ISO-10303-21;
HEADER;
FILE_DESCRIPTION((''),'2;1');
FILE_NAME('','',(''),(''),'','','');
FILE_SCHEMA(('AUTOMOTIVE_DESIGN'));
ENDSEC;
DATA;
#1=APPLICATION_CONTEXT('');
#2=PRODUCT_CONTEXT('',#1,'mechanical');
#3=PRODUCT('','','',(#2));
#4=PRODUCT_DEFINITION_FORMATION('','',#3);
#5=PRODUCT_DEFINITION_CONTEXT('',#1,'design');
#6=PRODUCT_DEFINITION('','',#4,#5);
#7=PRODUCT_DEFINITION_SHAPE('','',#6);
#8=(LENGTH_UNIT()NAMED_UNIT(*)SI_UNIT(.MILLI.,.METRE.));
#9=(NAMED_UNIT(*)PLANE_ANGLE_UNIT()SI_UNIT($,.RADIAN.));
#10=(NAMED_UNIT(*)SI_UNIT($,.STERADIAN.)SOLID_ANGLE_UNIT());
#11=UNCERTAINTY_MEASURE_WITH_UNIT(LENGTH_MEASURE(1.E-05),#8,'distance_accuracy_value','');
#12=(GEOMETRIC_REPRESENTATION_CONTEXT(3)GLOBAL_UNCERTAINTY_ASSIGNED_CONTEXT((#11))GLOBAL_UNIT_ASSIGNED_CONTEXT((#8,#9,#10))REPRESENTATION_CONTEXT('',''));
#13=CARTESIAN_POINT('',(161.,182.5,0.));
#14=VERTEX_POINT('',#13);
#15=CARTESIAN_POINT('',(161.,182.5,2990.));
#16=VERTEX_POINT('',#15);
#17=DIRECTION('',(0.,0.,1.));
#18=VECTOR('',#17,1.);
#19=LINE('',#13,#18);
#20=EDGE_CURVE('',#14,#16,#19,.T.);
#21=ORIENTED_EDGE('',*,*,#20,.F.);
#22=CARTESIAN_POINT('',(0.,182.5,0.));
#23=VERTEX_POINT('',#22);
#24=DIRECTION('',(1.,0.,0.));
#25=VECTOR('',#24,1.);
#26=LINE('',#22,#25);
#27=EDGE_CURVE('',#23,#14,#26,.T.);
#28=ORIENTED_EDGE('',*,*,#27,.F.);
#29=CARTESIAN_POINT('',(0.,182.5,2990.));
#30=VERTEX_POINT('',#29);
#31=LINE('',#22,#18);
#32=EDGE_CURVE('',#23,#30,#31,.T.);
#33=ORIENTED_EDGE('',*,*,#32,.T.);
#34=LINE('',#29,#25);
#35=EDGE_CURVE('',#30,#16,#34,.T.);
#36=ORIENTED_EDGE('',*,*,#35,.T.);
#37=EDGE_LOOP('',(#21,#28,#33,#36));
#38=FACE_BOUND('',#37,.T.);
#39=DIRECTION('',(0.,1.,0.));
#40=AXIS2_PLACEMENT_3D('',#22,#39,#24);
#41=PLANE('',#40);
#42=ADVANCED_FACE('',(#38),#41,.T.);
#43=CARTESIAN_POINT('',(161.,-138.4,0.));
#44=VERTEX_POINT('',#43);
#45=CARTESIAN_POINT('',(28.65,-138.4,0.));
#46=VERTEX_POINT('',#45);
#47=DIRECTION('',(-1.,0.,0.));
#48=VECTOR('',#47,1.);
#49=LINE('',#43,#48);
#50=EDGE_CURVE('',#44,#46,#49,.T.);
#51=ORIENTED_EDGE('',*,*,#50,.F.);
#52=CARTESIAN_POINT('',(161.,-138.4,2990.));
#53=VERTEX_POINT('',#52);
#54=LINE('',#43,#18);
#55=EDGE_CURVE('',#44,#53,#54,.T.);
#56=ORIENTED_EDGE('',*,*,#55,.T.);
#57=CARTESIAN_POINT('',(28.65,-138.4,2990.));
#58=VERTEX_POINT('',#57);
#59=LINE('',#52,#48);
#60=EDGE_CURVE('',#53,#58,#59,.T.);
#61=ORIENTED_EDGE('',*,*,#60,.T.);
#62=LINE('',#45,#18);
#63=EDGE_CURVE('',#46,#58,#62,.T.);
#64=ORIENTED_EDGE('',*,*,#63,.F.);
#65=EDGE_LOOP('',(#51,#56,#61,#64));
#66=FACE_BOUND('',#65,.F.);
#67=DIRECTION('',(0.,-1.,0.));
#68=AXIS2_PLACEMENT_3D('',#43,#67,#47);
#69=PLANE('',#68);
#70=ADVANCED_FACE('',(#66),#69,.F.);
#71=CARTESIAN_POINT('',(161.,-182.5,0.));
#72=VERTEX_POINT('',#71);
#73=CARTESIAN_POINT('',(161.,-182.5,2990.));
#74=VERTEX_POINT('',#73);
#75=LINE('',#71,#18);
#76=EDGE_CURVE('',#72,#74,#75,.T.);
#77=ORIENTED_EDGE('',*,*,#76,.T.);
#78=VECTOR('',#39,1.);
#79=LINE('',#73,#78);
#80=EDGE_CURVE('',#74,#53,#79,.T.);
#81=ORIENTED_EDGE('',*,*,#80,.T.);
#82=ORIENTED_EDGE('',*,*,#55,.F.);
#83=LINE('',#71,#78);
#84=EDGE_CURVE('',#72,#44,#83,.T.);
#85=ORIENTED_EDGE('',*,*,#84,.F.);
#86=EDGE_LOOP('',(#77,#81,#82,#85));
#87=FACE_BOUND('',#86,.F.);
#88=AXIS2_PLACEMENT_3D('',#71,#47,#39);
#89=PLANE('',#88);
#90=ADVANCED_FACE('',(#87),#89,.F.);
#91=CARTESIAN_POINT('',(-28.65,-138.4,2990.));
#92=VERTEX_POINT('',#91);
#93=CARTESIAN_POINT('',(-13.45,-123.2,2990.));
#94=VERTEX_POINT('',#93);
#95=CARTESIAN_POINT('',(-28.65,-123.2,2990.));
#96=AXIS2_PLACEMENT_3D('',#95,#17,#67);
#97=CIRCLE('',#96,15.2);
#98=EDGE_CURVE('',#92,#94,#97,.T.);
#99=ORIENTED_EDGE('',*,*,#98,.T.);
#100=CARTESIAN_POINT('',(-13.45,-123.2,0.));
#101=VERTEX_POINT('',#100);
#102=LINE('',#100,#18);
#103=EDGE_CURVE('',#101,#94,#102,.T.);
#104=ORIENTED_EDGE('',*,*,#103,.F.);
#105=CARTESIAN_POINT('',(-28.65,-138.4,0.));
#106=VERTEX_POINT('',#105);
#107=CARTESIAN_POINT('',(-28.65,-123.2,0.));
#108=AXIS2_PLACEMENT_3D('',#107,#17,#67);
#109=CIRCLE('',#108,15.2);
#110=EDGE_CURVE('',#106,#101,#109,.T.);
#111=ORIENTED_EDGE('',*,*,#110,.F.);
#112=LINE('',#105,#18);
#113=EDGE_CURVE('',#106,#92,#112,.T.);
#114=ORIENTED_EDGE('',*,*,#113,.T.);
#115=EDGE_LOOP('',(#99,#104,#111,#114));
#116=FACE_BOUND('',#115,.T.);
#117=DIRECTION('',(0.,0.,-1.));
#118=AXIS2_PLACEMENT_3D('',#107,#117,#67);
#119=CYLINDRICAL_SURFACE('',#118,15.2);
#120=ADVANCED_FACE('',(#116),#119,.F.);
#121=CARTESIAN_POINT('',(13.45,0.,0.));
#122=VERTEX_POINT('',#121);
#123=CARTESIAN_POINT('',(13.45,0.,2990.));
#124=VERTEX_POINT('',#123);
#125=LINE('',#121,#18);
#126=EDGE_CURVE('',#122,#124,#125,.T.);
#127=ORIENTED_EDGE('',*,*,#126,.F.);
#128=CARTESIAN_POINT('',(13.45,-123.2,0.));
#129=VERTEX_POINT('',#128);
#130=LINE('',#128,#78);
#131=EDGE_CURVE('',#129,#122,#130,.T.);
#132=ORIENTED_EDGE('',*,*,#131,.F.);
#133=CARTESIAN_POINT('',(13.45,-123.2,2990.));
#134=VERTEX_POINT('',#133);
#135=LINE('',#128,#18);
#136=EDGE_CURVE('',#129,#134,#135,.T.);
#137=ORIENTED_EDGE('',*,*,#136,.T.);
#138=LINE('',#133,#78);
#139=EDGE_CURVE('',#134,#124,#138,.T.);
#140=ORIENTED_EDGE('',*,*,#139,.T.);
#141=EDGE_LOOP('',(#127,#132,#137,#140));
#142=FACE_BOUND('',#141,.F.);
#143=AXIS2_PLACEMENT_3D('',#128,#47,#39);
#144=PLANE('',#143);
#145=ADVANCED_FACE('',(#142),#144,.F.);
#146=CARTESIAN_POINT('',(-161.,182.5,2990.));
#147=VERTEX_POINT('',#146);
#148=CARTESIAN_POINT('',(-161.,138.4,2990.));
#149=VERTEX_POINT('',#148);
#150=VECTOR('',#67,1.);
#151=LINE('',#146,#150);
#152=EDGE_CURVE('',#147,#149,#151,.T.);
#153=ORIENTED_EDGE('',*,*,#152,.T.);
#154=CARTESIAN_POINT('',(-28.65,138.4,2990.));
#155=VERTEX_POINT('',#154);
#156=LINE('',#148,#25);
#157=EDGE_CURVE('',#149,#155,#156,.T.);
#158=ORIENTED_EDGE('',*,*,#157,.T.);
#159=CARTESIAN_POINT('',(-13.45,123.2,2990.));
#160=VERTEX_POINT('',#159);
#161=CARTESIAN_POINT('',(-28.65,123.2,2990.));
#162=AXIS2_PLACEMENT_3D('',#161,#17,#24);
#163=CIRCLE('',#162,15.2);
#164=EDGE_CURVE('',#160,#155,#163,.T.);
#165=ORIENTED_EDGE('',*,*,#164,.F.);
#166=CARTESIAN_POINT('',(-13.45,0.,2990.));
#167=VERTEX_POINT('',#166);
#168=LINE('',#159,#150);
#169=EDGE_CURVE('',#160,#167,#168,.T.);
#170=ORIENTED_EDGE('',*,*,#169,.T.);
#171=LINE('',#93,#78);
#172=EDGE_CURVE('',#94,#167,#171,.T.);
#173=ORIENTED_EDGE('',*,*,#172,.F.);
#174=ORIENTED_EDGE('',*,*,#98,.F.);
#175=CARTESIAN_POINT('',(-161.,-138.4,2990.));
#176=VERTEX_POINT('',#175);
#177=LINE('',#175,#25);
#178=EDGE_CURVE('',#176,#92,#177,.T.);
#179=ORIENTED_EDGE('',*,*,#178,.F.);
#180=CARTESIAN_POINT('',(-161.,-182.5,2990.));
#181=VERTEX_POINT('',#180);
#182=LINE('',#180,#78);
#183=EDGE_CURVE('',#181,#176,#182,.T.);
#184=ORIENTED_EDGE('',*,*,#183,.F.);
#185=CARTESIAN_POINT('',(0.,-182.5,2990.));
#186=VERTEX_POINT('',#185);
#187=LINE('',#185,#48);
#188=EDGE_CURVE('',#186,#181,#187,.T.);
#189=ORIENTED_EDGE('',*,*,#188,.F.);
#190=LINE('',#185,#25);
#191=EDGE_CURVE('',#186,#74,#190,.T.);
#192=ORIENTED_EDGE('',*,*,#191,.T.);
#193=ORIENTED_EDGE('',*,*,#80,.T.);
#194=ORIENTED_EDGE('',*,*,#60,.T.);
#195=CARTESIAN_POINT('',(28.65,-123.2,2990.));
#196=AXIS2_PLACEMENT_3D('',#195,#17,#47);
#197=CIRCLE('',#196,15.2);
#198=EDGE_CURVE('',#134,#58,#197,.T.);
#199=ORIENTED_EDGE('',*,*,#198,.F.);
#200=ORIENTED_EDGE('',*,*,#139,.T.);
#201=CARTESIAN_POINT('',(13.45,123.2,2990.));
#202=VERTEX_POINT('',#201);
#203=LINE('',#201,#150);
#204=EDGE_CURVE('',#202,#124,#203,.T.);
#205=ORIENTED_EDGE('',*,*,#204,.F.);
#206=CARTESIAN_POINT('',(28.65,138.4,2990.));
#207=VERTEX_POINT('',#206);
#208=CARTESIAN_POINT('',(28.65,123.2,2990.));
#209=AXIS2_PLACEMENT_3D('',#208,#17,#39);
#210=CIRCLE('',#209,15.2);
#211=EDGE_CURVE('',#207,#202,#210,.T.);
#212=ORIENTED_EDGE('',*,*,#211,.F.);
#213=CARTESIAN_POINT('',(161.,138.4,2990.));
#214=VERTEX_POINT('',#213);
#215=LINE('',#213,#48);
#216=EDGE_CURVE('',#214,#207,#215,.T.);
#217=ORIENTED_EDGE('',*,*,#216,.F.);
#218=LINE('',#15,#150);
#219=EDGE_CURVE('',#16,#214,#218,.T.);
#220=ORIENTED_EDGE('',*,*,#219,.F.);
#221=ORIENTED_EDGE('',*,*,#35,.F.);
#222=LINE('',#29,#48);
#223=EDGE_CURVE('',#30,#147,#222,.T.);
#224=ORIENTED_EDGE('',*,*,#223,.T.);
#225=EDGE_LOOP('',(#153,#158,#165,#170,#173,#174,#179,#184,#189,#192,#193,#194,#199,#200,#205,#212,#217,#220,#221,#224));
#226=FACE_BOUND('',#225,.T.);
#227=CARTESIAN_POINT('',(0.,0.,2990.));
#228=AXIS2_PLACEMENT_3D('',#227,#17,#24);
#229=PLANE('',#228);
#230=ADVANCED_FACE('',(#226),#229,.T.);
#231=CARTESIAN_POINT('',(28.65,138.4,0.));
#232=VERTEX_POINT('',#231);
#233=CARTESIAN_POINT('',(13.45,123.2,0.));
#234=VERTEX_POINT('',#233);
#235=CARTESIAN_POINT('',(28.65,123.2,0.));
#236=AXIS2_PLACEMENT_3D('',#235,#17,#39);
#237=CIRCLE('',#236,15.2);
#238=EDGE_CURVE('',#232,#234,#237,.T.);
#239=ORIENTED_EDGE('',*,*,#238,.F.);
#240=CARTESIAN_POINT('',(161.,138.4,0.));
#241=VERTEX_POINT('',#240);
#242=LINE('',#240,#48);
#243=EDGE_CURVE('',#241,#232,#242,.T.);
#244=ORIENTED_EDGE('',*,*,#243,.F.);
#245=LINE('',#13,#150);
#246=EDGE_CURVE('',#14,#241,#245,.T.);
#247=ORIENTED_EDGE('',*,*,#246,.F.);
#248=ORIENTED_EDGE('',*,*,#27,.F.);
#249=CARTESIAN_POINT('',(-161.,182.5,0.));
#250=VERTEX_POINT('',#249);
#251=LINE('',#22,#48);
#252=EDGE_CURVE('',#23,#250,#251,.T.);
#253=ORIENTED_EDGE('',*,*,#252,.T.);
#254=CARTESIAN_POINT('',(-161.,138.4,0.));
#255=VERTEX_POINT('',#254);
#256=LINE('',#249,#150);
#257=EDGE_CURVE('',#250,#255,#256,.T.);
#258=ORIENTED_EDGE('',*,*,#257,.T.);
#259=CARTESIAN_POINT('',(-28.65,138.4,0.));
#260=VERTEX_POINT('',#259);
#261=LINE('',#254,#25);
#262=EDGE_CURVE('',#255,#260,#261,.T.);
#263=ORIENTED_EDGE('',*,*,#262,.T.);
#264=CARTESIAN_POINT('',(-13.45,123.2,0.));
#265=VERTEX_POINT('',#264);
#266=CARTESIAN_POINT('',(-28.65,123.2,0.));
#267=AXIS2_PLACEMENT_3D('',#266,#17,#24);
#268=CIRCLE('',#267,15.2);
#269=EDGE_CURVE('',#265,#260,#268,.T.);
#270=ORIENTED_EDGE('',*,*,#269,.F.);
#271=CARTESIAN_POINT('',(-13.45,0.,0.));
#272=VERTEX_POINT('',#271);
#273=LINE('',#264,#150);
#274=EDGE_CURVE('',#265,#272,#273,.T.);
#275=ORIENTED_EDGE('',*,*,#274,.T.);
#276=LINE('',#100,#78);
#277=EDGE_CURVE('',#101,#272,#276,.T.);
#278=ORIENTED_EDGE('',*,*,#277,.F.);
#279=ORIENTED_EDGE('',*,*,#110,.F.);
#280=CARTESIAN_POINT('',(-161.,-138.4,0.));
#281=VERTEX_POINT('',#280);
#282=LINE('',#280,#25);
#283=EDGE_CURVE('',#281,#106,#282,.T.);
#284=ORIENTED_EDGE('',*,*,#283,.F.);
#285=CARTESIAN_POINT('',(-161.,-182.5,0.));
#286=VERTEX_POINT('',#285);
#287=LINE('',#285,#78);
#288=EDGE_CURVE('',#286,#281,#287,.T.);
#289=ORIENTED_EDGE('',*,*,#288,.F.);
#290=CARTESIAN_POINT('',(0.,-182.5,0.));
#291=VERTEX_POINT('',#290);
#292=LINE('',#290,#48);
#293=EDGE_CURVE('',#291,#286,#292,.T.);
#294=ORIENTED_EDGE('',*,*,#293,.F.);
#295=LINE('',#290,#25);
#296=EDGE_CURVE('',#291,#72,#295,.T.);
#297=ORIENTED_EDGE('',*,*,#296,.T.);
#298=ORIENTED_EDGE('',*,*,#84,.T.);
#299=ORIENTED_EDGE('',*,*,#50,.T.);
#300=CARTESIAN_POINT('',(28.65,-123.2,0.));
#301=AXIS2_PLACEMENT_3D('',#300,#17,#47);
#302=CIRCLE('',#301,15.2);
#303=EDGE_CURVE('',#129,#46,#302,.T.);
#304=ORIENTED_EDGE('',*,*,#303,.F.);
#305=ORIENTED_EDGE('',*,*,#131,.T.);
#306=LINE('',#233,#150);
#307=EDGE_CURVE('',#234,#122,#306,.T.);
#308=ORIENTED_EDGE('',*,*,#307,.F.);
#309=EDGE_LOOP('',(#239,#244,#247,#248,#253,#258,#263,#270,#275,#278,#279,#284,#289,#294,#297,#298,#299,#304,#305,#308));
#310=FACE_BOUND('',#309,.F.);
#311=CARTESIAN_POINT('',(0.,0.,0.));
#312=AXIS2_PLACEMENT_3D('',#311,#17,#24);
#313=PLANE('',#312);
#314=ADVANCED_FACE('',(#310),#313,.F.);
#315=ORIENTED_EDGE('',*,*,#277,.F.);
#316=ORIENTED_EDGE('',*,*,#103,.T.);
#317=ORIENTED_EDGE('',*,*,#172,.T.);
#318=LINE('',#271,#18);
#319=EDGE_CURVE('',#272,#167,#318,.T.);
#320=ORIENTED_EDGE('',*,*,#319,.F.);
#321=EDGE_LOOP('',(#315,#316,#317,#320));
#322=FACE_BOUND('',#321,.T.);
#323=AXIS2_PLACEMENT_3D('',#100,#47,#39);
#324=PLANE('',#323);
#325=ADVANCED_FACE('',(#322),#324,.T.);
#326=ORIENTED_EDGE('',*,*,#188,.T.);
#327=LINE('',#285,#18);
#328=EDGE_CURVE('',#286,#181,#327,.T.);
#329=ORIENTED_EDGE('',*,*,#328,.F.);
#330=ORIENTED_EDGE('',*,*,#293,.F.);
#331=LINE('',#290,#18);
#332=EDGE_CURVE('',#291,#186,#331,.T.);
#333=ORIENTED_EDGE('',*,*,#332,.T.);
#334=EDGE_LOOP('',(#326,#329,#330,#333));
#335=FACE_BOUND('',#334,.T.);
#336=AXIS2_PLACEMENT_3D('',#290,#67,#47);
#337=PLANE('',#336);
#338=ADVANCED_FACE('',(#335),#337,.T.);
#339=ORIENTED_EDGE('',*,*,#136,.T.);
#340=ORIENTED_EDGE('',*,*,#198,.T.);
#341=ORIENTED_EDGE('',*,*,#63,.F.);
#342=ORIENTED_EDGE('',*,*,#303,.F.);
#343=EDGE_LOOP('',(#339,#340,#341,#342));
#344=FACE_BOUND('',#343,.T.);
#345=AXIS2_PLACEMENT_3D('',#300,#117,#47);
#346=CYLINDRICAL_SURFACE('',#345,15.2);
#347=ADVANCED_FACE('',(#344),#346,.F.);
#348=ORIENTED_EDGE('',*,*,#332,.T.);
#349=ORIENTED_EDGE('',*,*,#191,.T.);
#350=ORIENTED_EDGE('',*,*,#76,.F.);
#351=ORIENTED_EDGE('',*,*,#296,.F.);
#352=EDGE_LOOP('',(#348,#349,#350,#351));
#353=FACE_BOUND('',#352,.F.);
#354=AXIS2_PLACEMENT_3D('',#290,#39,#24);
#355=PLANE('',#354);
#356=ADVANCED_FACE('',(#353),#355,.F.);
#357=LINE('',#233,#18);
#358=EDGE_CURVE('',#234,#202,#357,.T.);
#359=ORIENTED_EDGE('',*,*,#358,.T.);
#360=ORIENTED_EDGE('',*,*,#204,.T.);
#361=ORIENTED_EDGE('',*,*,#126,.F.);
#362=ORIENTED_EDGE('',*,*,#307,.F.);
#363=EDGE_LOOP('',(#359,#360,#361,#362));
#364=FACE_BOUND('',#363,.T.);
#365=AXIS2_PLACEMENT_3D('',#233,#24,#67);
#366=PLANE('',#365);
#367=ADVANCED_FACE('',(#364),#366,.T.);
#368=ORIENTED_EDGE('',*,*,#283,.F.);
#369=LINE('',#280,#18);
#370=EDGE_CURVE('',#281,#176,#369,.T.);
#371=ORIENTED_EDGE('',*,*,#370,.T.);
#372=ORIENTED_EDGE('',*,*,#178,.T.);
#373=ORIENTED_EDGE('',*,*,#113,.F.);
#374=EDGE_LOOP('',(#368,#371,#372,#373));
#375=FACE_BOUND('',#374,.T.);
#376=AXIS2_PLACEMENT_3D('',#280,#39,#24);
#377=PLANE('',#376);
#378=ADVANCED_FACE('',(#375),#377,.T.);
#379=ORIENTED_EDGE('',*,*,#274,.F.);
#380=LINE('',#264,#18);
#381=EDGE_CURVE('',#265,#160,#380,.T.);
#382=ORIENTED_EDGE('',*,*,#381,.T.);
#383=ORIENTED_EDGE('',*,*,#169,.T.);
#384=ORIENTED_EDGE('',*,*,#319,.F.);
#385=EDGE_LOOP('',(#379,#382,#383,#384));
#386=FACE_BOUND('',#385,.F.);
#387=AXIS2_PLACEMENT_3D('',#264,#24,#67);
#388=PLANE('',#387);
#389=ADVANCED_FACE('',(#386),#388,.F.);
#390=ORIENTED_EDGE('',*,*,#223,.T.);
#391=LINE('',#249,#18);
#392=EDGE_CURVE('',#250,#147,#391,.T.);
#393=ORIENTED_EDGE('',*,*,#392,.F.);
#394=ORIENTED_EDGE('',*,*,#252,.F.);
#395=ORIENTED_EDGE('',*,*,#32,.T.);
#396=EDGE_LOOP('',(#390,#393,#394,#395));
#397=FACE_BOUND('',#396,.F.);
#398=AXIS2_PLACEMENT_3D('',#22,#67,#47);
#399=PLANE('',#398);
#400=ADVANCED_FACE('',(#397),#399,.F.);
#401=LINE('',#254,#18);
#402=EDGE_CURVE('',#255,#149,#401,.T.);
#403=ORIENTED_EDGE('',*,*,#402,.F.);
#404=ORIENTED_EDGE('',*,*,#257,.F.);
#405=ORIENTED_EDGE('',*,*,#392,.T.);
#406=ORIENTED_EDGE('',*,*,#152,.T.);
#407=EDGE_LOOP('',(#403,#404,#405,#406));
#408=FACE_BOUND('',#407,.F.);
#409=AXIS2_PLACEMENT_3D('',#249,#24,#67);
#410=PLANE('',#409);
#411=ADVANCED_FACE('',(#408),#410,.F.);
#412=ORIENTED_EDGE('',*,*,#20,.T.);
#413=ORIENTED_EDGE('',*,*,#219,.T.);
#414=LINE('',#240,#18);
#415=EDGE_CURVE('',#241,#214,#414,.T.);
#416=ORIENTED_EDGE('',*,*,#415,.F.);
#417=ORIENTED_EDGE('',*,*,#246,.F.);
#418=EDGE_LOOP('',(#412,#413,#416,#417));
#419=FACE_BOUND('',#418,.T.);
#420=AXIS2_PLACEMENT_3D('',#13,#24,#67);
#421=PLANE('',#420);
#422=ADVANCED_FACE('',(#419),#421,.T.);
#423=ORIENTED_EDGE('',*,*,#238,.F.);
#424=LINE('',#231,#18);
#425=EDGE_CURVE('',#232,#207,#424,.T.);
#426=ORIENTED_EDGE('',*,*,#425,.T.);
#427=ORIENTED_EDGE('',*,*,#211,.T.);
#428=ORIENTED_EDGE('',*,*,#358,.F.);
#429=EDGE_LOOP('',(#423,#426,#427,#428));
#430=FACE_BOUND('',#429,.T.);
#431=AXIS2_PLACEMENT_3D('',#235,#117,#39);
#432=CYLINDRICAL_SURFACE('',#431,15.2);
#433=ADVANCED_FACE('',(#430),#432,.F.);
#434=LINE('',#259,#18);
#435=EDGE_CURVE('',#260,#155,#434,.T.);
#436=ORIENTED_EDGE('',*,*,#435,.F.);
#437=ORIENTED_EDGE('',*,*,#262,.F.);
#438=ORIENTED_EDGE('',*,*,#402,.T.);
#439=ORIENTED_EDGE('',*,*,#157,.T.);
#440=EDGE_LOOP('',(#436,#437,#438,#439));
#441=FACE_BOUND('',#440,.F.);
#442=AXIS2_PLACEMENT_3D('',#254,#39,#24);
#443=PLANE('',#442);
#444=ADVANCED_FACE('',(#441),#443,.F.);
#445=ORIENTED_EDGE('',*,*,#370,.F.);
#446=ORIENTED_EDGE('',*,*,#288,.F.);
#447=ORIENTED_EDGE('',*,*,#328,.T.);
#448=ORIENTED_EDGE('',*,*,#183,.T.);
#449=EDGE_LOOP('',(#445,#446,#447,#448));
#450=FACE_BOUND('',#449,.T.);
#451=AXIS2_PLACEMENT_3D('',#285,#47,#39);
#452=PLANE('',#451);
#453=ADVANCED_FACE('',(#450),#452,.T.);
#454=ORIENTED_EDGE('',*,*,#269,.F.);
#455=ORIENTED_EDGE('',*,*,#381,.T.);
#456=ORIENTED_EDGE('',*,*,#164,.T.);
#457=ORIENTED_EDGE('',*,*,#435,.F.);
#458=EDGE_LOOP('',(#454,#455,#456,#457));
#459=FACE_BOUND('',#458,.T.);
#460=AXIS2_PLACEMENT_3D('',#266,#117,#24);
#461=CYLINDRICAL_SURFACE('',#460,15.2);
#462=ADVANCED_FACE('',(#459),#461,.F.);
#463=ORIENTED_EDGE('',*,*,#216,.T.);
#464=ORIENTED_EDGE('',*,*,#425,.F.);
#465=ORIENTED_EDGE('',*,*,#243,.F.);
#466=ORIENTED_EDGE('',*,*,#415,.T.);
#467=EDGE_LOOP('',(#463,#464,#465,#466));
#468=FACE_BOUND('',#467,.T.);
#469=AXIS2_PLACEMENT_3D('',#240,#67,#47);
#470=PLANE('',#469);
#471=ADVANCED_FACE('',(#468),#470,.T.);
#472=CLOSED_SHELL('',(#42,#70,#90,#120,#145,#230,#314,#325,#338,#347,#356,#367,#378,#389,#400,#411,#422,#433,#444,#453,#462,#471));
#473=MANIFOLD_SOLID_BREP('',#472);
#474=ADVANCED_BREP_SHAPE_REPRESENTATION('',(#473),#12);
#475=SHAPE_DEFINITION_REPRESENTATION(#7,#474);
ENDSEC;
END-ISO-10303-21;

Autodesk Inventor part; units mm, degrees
ref_plane "YZ Plane" through (0, 0, 0) normal (1, 0, 0) x (0, 1, 0)
ref_plane "Start plane" through (0, 0, 0) normal (0, 0, 1) x (1, 0, 0)
ref_plane "End plane" through (0, 0, 2990) normal (0, 0, 1) x (1, 0, 0)
sketch "Sketch" plane through (0, 0, 0) normal (0, 0, 1) x (1, 0, 0)
  line L0 (-161, -182.5) -> (-161, -138.4)
  line L1 (-161, -138.4) -> (-28.65, -138.4)
  line L2 (-13.45, -123.2) -> (-13.45, 0)
  line L3 (-13.45, 0) -> (0, 0) construction
  line L4 (0, 0) -> (0, -182.5) construction
  line L5 (0, -182.5) -> (-161, -182.5)
  line L6 (-60, 0) -> (80, 0) construction
  line L7 (0, -60) -> (0, 80) construction
  line L8 (161, -182.5) -> (161, -138.4)
  line L9 (161, -138.4) -> (28.65, -138.4)
  line L10 (13.45, -123.2) -> (13.45, 0)
  line L11 (13.45, 0) -> (0, 0) construction
  line L12 (0, -182.5) -> (161, -182.5)
  line L13 (-161, 182.5) -> (-161, 138.4)
  line L14 (-161, 138.4) -> (-28.65, 138.4)
  line L15 (-13.45, 123.2) -> (-13.45, 0)
  line L16 (0, 182.5) -> (-161, 182.5)
  line L17 (161, 182.5) -> (161, 138.4)
  line L18 (161, 138.4) -> (28.65, 138.4)
  line L19 (0, 182.5) -> (161, 182.5)
  line L20 (13.45, 123.2) -> (13.45, 0)
  arc A0 (-13.45, 123.2) -> (-28.65, 138.4) centre (-28.65, 123.2) ccw
  arc A1 (28.65, 138.4) -> (13.45, 123.2) centre (28.65, 123.2) ccw
  arc A2 (13.45, -123.2) -> (28.65, -138.4) centre (28.65, -123.2) ccw
  arc A3 (-28.65, -138.4) -> (-13.45, -123.2) centre (-28.65, -123.2) ccw
  line L21 (0, 108) -> (0, -88) construction
  line L22 (-88, 0) -> (108, 0) construction
  point P0 (-13.45, -138.4)
  point P1 (13.45, -138.4)
  point P2 (-13.45, 138.4)
  point P3 (13.45, 138.4)
  dimension "d1" = 182.5
  dimension "d2" = 44.1
  dimension "d3" = 161
  dimension "d4" = 13.45
  dimension "d10" = 15.2
extrude "Body" add sketch "Sketch" along normal up to surface (2990 mm away) from surface at 0
sketch "Sketch4" plane through (0, 0, 0) normal (0, 0, 1) x (1, 0, 0)
  line L0 (0, 0) -> (10, 0)
ref_plane "Work Plane3" through (0, 0, 0) normal (0, -1, 0) x (1, 0, 0)
sketch "Sketch5" plane through (0, 0, 0) normal (0, -1, 0) x (1, 0, 0)
  line L0 (-2, 0) -> (12, 0) projected
  line L1 (-2, 2990) -> (12, 2990) projected
  dimension "d14" = 2990
equation "\"d1\" = 0.5 * G_H"
equation "\"d2\" = G_T1"
equation "\"d3\" = 0.5 * G_W"
equation "\"d4\" = 0.5 * G_T"
equation "\"d10\" = G_IR"
equation "\"d5\" = G_L"
equation "\"G_W\" = 322"
equation "\"G_H\" = 365"
equation "\"G_T\" = 26.9"
equation "\"G_T1\" = 44.1"
equation "\"G_IR\" = 15.2"
equation "\"G_L\" = d14"
equation "\"G_OFFSET_START\" = 0"
equation "\"G_OFFSET_END\" = 0"
properties part number "AS 3679 - 310 UC - 283 - 2990" material "Steel, Mild"
